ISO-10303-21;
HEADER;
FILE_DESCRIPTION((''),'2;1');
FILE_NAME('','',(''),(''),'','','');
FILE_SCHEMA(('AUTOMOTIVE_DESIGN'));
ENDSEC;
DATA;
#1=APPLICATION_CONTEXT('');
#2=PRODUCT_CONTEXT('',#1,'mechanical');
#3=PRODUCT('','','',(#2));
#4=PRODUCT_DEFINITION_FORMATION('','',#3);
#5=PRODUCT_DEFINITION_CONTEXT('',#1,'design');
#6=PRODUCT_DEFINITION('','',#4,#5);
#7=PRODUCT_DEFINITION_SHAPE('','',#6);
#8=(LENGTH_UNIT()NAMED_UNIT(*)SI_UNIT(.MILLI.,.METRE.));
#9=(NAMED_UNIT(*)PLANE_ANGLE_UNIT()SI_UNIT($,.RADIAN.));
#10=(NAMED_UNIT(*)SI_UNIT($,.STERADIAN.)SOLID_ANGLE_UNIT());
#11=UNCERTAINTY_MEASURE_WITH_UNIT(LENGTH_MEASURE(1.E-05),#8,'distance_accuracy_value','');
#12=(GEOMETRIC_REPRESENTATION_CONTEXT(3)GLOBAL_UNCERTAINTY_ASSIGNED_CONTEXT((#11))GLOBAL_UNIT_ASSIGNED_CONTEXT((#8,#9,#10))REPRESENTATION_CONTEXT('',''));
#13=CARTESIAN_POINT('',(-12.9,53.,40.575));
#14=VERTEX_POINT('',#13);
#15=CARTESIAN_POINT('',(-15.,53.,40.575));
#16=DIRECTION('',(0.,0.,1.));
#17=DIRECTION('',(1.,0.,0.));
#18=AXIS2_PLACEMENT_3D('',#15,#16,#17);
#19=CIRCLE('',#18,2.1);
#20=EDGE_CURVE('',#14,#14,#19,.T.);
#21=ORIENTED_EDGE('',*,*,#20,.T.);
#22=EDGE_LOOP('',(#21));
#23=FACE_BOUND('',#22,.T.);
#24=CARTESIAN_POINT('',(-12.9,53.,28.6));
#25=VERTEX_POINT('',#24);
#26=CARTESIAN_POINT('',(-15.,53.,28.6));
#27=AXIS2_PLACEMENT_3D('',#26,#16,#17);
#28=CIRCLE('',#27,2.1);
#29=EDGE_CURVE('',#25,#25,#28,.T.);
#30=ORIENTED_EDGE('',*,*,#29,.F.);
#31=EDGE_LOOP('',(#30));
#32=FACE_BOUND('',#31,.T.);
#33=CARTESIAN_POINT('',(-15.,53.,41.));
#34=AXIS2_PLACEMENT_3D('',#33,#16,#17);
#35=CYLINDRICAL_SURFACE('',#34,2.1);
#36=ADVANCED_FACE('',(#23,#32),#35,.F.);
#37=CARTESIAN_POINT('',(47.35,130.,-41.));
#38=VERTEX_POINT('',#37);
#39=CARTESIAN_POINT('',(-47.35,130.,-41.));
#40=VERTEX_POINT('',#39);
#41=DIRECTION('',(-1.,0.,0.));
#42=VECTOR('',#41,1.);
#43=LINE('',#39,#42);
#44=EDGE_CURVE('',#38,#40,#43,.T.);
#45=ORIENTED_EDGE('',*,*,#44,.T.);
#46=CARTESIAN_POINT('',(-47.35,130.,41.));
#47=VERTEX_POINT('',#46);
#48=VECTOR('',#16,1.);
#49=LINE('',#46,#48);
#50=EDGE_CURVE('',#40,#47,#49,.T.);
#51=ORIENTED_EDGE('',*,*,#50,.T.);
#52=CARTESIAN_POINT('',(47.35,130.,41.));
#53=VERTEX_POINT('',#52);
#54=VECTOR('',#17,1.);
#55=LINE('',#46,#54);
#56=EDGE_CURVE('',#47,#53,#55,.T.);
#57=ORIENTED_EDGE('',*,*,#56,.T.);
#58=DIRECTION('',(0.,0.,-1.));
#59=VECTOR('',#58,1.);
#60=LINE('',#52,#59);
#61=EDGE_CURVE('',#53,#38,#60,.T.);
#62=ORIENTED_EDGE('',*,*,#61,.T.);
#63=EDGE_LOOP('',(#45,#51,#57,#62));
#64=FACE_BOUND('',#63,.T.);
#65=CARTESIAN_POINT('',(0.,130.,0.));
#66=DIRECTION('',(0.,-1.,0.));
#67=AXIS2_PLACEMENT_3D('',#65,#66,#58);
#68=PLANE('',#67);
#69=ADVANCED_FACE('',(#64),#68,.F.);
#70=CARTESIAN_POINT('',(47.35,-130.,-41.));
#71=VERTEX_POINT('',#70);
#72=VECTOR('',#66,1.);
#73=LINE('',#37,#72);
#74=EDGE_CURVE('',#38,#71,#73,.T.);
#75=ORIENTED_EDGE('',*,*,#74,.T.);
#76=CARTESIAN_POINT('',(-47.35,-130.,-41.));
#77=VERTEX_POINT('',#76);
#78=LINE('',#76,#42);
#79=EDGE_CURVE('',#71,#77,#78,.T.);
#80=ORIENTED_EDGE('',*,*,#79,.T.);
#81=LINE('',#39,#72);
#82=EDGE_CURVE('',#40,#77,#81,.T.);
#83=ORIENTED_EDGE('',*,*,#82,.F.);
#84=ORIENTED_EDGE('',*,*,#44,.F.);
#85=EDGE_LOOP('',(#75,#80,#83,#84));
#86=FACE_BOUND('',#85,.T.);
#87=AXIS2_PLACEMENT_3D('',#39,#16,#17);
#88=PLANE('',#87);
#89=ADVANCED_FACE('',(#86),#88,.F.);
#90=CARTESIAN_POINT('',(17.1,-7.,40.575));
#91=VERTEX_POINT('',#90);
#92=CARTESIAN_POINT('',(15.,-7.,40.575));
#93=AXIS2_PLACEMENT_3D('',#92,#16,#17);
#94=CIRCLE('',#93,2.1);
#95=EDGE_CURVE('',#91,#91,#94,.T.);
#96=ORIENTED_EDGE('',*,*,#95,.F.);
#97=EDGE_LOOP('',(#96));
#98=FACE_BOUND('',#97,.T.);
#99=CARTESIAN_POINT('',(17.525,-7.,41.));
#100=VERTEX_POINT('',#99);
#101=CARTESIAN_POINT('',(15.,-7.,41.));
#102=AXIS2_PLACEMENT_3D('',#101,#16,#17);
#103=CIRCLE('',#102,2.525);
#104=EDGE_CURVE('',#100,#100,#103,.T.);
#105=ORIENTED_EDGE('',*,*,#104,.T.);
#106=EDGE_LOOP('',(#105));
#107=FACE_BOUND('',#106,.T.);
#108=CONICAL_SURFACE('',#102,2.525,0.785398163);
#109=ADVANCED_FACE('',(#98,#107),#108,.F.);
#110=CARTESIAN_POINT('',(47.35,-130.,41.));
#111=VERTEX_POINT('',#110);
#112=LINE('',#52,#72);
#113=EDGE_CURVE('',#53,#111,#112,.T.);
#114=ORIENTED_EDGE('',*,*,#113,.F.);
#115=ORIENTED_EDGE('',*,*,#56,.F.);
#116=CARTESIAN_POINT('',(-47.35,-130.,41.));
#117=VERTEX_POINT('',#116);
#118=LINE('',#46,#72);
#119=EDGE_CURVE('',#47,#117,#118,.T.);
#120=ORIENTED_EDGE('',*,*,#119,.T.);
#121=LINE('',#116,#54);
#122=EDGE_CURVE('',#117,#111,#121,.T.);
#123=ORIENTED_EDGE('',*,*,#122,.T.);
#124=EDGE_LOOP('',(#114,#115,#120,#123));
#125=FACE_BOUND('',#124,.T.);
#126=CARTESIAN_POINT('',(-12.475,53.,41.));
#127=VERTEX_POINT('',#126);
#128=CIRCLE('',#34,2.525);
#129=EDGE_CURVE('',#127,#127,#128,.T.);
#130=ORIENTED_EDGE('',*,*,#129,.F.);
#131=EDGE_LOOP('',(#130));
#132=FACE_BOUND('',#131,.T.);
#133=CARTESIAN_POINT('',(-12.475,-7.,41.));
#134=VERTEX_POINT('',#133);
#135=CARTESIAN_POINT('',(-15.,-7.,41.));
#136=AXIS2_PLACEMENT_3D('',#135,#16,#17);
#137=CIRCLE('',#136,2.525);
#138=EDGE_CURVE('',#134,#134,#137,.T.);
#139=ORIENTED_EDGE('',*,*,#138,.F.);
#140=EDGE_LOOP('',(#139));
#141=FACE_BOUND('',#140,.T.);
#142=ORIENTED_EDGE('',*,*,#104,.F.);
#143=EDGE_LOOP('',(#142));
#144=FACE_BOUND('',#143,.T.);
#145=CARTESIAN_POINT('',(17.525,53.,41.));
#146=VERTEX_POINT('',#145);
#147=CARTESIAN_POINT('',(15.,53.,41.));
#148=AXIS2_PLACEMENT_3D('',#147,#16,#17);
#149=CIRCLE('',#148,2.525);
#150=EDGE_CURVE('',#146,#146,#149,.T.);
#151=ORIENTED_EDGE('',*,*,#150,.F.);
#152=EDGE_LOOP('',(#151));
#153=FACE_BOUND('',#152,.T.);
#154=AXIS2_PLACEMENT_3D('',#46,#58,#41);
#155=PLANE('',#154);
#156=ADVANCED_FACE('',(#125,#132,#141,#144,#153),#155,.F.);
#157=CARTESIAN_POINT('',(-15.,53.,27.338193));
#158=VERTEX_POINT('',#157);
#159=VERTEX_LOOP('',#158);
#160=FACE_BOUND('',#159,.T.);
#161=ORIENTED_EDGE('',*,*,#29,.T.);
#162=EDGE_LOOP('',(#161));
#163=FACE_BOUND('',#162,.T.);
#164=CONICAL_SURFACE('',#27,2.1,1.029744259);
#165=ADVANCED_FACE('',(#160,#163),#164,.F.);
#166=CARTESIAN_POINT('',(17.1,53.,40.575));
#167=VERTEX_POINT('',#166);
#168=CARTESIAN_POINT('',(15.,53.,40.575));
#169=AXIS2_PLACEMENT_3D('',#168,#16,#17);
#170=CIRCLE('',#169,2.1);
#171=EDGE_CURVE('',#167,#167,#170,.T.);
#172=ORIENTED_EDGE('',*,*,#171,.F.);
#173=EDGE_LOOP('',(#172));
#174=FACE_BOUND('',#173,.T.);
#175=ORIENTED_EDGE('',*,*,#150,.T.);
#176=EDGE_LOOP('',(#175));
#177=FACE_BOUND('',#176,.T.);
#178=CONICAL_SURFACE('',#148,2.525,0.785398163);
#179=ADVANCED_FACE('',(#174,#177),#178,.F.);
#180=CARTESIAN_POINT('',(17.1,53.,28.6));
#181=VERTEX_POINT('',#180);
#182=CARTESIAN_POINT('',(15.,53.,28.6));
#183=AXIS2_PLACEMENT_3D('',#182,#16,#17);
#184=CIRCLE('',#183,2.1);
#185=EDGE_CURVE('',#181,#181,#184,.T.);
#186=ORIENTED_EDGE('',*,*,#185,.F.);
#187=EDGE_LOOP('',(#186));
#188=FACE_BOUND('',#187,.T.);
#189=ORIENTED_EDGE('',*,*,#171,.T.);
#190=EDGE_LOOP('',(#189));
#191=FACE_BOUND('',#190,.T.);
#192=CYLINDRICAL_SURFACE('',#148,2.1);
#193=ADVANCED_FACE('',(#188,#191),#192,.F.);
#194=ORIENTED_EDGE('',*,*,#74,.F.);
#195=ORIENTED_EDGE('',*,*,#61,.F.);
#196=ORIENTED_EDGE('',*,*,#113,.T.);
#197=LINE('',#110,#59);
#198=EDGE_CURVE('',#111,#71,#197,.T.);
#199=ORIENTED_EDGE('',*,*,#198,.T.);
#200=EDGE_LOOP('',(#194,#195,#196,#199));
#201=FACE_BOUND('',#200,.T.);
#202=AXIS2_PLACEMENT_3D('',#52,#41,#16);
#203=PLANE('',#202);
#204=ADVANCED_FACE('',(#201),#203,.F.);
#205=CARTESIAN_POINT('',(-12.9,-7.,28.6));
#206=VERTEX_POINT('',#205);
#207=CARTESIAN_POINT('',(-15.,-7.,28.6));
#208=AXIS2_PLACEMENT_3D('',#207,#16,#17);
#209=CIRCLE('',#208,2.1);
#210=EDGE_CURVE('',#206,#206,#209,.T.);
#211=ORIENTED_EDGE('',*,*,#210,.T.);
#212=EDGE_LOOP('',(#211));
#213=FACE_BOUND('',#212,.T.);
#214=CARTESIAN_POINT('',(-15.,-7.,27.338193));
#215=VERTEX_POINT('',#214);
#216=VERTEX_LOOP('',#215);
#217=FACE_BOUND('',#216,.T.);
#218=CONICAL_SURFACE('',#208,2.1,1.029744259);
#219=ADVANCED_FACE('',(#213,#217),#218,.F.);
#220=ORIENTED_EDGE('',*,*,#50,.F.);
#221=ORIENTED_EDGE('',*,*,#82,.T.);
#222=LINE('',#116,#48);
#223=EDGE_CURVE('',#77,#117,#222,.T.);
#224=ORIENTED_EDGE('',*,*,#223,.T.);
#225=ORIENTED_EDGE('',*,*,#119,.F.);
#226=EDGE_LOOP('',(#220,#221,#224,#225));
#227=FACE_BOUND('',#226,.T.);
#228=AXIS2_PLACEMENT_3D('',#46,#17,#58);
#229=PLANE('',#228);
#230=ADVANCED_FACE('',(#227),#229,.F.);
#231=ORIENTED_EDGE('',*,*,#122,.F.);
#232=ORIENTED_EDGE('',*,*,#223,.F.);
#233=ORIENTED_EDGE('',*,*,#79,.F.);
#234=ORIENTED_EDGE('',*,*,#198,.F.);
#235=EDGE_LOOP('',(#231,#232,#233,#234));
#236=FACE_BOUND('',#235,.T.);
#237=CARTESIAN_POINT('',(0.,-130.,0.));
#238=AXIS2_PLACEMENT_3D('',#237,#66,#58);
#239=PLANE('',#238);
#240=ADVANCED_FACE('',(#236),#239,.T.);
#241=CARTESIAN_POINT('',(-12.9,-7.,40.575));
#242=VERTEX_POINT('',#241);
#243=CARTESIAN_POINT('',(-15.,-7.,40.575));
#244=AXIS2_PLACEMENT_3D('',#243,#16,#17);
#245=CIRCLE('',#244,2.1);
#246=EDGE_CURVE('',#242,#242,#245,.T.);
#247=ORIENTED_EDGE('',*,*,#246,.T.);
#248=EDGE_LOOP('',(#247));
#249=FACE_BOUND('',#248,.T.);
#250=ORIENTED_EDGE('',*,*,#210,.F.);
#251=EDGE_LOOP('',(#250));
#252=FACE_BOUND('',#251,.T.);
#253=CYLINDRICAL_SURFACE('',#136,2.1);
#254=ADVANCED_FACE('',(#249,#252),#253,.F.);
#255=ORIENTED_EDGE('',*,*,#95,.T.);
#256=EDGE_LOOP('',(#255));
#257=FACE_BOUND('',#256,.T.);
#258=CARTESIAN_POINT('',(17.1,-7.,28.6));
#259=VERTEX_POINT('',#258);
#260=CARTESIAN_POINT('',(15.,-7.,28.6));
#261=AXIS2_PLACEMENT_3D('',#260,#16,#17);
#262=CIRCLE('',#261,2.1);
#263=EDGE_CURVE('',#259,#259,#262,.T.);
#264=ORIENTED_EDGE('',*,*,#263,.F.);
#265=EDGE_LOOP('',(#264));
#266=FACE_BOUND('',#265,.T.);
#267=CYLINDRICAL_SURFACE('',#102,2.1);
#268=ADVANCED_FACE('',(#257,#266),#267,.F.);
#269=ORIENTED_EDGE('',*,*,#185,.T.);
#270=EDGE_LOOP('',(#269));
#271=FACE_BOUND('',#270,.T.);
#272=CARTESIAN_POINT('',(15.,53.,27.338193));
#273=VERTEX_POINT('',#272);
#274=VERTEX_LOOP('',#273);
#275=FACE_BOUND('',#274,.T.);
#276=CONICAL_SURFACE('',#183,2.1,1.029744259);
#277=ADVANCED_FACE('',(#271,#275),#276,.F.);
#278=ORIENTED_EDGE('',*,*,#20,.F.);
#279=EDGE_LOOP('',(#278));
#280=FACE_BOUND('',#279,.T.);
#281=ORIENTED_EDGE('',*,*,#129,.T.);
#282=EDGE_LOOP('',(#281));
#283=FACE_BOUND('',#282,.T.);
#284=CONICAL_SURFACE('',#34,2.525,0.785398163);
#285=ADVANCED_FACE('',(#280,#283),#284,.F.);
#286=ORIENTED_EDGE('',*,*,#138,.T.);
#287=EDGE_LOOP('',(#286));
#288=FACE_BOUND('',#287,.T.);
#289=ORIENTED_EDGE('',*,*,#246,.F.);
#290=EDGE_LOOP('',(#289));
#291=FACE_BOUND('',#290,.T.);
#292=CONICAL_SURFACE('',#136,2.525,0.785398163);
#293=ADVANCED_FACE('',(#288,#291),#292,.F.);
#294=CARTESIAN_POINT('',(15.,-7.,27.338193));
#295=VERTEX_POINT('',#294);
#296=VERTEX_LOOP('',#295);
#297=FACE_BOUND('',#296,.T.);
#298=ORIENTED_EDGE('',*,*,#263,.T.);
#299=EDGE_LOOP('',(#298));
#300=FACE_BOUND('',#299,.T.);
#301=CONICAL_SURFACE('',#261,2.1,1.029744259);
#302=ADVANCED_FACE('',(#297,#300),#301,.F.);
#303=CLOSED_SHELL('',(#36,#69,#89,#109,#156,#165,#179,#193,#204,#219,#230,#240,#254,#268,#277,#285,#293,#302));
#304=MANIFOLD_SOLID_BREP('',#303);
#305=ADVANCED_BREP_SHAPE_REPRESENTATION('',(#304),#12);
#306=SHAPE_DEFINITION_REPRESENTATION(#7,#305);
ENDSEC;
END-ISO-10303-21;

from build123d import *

# Parameters (mm, degrees)
SKETCH1_W                       = 94.7
SKETCH1_H                       = 82
BOSS_EXTRUDE1_DEPTH             = 130
M5X0_8_TAPPED_HOLE1_D           = 4.2
M5X0_8_TAPPED_HOLE1_DEPTH       = 12.4
M5X0_8_TAPPED_HOLE1_CSINK_D     = 5.05
M5X0_8_TAPPED_HOLE1_CSINK_ANGLE = 90
M5X0_8_TAPPED_HOLE1_TIP         = 1.2618073


with BuildPart() as part:
    # Sketch1 → Boss-Extrude1 (new, symmetric)
    with BuildSketch(Plane(origin=(0, 0, 0), x_dir=(1, 0, 0), z_dir=(0, 1, 0))):
        Rectangle(SKETCH1_W, SKETCH1_H)
    extrude(amount=BOSS_EXTRUDE1_DEPTH, both=True)

    # M5x0.8 Tapped Hole1
    with Locations(Plane.XY.offset(41)):
        with Locations((15, 53), (-15, 53), (-15, -7), (15, -7)):
            CounterSinkHole(M5X0_8_TAPPED_HOLE1_D / 2, M5X0_8_TAPPED_HOLE1_CSINK_D / 2, depth=M5X0_8_TAPPED_HOLE1_DEPTH, counter_sink_angle=M5X0_8_TAPPED_HOLE1_CSINK_ANGLE)
            with Locations((0, 0, -(M5X0_8_TAPPED_HOLE1_DEPTH + M5X0_8_TAPPED_HOLE1_TIP / 2))):  # 118° drill point
                Cone(0, M5X0_8_TAPPED_HOLE1_D / 2, M5X0_8_TAPPED_HOLE1_TIP, mode=Mode.SUBTRACT)


solid = part.part
